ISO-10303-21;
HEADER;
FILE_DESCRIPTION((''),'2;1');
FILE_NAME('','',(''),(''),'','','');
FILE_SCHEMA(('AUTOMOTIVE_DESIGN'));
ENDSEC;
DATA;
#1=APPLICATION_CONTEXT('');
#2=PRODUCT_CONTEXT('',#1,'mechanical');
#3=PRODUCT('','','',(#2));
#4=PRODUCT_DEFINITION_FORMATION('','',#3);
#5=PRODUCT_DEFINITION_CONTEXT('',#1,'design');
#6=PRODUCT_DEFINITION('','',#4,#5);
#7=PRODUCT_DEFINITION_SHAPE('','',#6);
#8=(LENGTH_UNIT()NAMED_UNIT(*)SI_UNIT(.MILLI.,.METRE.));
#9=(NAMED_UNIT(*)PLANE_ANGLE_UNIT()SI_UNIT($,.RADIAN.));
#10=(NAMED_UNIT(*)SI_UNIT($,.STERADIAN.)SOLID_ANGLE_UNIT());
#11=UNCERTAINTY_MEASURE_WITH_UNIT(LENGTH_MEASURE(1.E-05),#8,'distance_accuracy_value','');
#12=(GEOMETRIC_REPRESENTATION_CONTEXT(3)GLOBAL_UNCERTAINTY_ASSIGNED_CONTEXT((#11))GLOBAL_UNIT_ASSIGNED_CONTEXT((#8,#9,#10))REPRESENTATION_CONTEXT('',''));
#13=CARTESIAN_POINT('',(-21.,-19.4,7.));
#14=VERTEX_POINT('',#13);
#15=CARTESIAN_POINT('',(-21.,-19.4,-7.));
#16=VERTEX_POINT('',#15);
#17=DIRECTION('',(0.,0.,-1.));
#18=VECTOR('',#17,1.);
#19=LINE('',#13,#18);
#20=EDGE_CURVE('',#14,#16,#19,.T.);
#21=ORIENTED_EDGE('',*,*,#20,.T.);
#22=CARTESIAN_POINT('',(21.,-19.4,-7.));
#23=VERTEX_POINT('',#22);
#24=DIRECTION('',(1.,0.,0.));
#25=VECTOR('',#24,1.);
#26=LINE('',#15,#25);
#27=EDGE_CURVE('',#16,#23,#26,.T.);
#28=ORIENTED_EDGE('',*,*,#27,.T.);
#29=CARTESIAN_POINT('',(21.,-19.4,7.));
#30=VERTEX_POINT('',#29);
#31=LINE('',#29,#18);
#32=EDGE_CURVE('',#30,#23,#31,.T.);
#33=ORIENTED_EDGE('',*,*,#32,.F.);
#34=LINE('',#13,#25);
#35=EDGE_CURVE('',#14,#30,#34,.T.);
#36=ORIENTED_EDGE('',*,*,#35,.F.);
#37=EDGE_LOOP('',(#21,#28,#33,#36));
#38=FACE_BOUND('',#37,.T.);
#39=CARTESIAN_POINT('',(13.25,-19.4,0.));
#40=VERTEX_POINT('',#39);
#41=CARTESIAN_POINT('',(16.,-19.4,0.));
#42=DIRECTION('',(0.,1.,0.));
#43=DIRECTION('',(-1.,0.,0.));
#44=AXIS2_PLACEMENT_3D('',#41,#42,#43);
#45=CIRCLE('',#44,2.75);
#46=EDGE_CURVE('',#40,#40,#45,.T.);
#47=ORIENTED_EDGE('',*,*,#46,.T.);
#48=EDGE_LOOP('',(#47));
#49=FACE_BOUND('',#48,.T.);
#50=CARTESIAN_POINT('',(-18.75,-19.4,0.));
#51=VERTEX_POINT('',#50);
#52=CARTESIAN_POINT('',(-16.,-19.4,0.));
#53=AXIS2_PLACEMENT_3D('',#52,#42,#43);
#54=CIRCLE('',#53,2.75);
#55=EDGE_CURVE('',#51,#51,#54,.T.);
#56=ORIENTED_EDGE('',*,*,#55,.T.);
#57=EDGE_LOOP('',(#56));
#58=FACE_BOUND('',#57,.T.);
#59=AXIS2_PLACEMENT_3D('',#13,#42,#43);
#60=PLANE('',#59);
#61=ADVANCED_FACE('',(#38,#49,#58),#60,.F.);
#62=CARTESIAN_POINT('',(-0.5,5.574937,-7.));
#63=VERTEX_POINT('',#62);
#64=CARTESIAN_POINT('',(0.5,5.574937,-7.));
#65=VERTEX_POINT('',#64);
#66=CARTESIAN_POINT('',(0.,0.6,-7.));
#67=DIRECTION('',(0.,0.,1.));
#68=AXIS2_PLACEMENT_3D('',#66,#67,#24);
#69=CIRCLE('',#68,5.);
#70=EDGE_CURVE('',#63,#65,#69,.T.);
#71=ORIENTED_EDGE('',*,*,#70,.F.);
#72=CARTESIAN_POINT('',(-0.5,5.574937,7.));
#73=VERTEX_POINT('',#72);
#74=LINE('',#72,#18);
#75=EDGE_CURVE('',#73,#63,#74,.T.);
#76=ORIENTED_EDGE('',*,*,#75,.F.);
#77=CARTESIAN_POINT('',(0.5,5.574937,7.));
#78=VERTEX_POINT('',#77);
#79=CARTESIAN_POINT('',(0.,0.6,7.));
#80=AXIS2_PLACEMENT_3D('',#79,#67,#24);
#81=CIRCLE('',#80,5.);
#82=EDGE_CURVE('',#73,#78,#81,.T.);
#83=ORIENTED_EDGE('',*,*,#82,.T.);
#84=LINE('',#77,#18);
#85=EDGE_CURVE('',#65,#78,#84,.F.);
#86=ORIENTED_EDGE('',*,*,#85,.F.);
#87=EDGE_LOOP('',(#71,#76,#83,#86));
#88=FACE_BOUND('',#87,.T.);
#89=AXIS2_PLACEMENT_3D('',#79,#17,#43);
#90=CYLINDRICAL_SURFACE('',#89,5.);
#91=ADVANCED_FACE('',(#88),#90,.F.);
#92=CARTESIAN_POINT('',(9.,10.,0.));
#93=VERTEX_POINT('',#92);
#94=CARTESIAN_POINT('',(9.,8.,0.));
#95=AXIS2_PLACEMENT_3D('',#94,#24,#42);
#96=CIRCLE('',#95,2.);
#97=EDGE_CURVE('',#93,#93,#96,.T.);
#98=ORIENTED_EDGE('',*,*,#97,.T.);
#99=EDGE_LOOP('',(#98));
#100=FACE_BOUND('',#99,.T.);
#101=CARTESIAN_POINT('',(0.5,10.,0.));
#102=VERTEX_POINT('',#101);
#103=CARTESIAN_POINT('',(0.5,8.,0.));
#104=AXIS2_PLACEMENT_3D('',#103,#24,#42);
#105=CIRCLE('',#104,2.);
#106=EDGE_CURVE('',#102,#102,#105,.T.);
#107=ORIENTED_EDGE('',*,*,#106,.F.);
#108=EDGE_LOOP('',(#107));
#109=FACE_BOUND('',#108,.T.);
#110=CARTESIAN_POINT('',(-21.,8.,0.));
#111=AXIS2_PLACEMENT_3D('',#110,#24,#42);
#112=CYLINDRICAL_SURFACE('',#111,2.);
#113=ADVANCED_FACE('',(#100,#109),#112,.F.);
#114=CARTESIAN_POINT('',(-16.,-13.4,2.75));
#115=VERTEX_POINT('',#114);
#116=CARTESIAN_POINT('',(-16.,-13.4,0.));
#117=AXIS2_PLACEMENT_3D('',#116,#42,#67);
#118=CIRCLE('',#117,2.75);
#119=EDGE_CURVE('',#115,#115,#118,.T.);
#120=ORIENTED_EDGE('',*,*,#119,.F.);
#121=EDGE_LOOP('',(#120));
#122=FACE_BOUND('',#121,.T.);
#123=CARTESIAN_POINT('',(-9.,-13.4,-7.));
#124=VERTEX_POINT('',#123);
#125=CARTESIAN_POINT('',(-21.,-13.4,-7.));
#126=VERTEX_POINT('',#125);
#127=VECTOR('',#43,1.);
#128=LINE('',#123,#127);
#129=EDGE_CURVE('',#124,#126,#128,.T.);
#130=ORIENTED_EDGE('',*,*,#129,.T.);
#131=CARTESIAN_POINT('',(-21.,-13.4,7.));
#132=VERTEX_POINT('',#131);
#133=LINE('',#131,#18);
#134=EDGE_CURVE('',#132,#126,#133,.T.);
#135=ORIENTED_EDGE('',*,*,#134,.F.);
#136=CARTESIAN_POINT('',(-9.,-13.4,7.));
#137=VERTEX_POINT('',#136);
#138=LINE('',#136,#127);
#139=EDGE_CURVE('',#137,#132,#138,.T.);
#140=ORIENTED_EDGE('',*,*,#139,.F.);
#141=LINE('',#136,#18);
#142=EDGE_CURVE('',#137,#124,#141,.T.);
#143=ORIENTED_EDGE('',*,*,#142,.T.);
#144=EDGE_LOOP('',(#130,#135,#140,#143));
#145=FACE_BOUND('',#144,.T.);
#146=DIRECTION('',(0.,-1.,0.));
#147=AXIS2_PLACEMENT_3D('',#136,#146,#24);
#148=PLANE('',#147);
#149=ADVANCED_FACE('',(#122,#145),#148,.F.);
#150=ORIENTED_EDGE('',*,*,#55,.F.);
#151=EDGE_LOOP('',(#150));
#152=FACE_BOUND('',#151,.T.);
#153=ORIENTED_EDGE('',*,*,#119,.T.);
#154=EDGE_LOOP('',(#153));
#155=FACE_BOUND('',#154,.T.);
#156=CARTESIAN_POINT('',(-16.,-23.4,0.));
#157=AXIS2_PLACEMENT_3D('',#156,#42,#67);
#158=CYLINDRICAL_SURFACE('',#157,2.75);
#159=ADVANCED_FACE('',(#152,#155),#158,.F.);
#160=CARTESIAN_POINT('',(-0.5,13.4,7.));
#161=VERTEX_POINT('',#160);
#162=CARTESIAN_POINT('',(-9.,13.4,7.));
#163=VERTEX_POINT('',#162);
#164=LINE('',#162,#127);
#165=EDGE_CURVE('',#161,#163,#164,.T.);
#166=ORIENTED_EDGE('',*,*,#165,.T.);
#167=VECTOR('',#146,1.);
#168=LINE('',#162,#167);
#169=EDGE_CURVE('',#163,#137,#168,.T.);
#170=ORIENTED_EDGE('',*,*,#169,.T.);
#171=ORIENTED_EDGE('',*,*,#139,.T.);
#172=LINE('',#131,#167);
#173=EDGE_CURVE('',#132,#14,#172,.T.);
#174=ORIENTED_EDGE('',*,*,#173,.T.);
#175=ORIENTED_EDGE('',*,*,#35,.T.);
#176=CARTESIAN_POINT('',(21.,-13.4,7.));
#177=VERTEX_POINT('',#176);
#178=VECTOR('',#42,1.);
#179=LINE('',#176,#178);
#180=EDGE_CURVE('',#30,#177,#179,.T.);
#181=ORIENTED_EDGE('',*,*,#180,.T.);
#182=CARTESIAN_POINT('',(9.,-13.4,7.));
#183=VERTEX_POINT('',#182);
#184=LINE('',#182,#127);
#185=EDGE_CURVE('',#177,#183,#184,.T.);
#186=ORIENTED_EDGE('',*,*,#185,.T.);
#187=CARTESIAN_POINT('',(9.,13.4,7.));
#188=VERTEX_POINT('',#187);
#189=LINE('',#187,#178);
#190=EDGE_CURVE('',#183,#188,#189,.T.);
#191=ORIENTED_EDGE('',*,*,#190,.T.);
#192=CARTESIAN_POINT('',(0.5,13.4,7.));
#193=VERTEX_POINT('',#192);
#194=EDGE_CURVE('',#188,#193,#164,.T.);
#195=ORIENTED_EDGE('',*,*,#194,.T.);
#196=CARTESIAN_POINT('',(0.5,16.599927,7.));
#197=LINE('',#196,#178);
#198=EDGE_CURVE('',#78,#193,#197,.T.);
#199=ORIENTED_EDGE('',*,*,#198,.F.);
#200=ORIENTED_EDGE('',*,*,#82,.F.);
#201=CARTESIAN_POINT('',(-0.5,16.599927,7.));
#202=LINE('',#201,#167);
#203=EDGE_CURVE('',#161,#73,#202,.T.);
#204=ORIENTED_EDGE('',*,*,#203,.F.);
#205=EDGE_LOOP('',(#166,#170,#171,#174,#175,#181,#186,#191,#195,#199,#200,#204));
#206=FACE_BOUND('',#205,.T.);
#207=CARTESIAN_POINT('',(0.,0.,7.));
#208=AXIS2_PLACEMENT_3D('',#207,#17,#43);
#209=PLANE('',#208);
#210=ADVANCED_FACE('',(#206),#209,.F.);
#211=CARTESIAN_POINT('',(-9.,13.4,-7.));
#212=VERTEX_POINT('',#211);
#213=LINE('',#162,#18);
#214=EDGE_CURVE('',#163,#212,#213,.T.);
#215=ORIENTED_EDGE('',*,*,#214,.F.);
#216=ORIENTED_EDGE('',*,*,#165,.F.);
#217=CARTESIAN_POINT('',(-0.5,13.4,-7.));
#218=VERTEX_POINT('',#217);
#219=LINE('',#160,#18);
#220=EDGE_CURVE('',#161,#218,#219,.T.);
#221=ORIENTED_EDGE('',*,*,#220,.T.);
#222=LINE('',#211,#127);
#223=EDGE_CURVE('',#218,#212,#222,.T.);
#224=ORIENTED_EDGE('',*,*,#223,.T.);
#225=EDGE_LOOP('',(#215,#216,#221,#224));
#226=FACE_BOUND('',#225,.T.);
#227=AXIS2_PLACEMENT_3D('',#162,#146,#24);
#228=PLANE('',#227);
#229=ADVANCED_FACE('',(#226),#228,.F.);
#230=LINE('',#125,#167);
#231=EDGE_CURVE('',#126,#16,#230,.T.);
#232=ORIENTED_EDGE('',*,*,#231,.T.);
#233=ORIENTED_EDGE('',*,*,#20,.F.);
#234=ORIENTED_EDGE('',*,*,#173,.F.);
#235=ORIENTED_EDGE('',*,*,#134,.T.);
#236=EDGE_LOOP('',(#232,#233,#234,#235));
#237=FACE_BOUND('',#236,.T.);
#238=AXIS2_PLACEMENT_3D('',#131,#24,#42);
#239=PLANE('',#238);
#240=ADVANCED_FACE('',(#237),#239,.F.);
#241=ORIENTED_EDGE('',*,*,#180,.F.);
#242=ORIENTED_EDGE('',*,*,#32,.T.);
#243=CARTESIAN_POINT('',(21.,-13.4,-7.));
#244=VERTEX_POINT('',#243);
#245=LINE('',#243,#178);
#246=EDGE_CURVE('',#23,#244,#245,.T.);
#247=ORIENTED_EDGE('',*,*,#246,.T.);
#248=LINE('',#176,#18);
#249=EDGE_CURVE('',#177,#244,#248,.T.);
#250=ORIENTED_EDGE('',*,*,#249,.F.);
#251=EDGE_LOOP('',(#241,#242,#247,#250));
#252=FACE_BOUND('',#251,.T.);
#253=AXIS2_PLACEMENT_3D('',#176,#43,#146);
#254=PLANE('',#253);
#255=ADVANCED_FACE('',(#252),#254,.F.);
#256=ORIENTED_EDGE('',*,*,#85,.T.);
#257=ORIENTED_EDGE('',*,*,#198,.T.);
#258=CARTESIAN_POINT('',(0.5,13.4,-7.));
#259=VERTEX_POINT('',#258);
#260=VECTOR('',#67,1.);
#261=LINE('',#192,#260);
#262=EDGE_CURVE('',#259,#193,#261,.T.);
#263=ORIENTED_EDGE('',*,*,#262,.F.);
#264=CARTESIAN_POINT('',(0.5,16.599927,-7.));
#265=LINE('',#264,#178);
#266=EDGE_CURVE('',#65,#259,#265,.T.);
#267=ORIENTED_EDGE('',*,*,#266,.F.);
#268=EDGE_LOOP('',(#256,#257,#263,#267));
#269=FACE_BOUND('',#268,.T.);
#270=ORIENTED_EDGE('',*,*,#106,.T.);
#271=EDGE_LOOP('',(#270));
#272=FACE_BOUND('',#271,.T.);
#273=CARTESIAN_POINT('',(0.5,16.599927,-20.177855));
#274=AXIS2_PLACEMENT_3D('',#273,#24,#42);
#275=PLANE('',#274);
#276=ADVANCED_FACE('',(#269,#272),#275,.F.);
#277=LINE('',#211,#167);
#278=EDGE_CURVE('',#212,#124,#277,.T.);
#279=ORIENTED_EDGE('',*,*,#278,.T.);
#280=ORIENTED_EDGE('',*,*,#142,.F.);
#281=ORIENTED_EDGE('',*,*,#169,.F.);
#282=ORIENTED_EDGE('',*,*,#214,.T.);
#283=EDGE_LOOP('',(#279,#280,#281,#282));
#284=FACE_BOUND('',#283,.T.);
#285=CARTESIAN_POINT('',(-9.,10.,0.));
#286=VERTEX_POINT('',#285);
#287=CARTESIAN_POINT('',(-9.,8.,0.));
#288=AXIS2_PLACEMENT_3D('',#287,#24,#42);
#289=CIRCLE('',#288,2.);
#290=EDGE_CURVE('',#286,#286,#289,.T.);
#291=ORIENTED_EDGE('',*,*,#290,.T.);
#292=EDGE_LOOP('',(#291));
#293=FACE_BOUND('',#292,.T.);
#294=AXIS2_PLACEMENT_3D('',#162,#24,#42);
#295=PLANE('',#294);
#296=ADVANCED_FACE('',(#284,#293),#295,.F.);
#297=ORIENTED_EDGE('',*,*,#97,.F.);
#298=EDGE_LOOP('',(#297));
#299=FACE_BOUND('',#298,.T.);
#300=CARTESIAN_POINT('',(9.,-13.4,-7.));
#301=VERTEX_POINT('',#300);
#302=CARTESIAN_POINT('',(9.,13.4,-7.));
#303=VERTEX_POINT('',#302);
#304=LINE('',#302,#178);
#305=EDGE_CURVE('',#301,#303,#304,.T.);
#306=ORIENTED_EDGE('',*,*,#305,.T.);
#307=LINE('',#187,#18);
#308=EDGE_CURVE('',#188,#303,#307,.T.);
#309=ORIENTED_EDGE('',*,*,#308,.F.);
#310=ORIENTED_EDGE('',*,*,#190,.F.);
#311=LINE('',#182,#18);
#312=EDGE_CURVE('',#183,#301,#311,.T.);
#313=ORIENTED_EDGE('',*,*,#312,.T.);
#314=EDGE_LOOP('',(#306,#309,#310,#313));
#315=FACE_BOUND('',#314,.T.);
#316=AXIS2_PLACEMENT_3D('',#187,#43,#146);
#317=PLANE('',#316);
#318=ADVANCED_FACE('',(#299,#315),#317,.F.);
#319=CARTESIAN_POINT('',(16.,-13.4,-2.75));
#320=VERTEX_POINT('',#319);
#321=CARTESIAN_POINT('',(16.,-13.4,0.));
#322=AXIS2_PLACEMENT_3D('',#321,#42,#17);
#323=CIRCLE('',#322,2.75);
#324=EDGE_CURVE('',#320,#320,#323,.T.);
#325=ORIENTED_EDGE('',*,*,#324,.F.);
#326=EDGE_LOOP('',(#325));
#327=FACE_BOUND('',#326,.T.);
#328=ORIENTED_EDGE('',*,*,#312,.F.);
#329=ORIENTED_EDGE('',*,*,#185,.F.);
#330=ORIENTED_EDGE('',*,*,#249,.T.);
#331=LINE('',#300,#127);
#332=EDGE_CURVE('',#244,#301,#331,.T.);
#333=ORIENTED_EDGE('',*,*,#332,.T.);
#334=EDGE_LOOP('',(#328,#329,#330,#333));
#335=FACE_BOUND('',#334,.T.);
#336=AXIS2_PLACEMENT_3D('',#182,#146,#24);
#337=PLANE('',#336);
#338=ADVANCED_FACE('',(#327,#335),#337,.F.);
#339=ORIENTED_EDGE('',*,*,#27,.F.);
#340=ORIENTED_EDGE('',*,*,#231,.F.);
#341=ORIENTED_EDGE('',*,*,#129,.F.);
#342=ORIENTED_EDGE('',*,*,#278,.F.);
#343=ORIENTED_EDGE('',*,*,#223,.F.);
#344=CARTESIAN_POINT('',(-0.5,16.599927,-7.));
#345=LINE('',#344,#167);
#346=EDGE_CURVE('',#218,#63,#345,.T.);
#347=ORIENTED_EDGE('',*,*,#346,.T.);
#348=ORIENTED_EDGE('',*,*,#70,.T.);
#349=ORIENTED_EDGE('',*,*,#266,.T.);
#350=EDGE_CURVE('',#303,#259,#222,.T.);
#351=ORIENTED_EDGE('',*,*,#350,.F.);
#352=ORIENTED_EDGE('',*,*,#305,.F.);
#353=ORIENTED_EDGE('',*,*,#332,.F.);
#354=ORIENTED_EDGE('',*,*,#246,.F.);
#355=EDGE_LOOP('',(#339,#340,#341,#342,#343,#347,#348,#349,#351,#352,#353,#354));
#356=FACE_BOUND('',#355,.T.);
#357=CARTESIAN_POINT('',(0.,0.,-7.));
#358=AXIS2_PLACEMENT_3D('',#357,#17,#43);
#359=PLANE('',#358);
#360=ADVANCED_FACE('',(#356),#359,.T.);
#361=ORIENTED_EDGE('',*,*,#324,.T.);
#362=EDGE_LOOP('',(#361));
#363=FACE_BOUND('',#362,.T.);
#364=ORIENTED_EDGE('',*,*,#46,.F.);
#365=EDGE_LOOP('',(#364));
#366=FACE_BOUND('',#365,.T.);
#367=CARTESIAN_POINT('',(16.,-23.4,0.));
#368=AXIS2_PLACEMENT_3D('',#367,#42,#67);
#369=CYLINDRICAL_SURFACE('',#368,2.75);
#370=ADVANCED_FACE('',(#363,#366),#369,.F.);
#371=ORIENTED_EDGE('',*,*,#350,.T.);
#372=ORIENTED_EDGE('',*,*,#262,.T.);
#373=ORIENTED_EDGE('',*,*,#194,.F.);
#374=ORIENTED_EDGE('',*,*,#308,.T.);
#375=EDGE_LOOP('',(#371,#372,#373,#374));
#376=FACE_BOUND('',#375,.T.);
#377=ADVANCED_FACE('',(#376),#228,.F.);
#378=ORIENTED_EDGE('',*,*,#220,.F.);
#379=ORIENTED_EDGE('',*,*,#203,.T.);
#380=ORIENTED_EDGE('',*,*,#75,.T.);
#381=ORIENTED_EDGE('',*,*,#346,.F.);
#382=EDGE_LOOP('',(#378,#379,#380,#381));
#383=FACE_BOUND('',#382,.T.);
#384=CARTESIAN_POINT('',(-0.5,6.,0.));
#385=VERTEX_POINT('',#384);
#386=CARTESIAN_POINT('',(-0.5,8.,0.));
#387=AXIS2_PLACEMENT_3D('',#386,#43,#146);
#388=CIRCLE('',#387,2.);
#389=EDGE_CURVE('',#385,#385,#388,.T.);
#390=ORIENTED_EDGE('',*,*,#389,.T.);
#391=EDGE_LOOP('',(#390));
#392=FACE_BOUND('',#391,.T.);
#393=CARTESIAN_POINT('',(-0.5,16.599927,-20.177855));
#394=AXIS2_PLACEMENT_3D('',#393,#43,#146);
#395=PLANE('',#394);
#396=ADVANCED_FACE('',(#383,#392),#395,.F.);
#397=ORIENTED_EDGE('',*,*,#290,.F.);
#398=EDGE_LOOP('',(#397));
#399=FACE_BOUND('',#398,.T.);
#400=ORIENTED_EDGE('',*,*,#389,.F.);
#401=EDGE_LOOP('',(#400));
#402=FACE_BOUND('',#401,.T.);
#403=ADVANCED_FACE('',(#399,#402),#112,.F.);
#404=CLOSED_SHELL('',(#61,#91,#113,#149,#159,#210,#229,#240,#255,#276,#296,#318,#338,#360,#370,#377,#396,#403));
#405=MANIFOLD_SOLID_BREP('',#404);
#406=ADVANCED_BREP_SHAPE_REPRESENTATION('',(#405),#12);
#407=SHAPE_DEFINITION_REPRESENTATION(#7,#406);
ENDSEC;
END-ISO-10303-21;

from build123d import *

# Parameters (mm, degrees)
SKETCH_3_R          = 5
EXTRUDE_3_DEPTH     = 7
SKETCH_5_R          = 2.75
CUT_EXTRUDE_1_DEPTH = 10
SKETCH_6_W          = 1
SKETCH_6_H          = 13.139857665
CUT_EXTRUDE_2_DEPTH = 14
SKETCH_7_R          = 2
CUT_EXTRUDE_3_DEPTH = 37.405494091


with BuildPart() as part:
    # 草图3 → 凸台-拉伸3 (new, symmetric)
    with BuildSketch(Plane.XY):
        Polygon((-9, -13.4), (-21, -13.4), (-21, -19.4), (21, -19.4), (21, -13.4), (9, -13.4), (9, 13.4), (-9, 13.4), align=None)
        with Locations((0, 0.6)):
            Circle(SKETCH_3_R, mode=Mode.SUBTRACT)
    extrude(amount=EXTRUDE_3_DEPTH, both=True)

    # 草图5 → 切除-拉伸1 (cut)
    with BuildSketch(Plane(origin=(0, -13.4, 0), x_dir=(1, 0, 0), z_dir=(0, 1, 0))):
        with Locations(Location((-16, 0, 0), (0, 0, 270))):
            Circle(SKETCH_5_R)
        with Locations(Location((16, 0, 0), (0, 0, 180))):
            Circle(SKETCH_5_R)
    extrude(amount=-CUT_EXTRUDE_1_DEPTH, mode=Mode.SUBTRACT)

    # 草图6 → 切除-拉伸2 (cut)
    with BuildSketch(Plane.XY.offset(7)):
        with Locations((0, 10.029998353)):
            Rectangle(SKETCH_6_W, SKETCH_6_H)
    extrude(amount=-CUT_EXTRUDE_2_DEPTH, mode=Mode.SUBTRACT)

    # 草图7 → 切除-拉伸3 (cut, through all)
    with BuildSketch(Plane(origin=(9, 0, 0), x_dir=(0, 0, -1), z_dir=(1, 0, 0))):
        with Locations(Location((0, 8, 0), (0, 0, 90))):
            Circle(SKETCH_7_R)
    extrude(amount=-CUT_EXTRUDE_3_DEPTH, mode=Mode.SUBTRACT)


solid = part.part
